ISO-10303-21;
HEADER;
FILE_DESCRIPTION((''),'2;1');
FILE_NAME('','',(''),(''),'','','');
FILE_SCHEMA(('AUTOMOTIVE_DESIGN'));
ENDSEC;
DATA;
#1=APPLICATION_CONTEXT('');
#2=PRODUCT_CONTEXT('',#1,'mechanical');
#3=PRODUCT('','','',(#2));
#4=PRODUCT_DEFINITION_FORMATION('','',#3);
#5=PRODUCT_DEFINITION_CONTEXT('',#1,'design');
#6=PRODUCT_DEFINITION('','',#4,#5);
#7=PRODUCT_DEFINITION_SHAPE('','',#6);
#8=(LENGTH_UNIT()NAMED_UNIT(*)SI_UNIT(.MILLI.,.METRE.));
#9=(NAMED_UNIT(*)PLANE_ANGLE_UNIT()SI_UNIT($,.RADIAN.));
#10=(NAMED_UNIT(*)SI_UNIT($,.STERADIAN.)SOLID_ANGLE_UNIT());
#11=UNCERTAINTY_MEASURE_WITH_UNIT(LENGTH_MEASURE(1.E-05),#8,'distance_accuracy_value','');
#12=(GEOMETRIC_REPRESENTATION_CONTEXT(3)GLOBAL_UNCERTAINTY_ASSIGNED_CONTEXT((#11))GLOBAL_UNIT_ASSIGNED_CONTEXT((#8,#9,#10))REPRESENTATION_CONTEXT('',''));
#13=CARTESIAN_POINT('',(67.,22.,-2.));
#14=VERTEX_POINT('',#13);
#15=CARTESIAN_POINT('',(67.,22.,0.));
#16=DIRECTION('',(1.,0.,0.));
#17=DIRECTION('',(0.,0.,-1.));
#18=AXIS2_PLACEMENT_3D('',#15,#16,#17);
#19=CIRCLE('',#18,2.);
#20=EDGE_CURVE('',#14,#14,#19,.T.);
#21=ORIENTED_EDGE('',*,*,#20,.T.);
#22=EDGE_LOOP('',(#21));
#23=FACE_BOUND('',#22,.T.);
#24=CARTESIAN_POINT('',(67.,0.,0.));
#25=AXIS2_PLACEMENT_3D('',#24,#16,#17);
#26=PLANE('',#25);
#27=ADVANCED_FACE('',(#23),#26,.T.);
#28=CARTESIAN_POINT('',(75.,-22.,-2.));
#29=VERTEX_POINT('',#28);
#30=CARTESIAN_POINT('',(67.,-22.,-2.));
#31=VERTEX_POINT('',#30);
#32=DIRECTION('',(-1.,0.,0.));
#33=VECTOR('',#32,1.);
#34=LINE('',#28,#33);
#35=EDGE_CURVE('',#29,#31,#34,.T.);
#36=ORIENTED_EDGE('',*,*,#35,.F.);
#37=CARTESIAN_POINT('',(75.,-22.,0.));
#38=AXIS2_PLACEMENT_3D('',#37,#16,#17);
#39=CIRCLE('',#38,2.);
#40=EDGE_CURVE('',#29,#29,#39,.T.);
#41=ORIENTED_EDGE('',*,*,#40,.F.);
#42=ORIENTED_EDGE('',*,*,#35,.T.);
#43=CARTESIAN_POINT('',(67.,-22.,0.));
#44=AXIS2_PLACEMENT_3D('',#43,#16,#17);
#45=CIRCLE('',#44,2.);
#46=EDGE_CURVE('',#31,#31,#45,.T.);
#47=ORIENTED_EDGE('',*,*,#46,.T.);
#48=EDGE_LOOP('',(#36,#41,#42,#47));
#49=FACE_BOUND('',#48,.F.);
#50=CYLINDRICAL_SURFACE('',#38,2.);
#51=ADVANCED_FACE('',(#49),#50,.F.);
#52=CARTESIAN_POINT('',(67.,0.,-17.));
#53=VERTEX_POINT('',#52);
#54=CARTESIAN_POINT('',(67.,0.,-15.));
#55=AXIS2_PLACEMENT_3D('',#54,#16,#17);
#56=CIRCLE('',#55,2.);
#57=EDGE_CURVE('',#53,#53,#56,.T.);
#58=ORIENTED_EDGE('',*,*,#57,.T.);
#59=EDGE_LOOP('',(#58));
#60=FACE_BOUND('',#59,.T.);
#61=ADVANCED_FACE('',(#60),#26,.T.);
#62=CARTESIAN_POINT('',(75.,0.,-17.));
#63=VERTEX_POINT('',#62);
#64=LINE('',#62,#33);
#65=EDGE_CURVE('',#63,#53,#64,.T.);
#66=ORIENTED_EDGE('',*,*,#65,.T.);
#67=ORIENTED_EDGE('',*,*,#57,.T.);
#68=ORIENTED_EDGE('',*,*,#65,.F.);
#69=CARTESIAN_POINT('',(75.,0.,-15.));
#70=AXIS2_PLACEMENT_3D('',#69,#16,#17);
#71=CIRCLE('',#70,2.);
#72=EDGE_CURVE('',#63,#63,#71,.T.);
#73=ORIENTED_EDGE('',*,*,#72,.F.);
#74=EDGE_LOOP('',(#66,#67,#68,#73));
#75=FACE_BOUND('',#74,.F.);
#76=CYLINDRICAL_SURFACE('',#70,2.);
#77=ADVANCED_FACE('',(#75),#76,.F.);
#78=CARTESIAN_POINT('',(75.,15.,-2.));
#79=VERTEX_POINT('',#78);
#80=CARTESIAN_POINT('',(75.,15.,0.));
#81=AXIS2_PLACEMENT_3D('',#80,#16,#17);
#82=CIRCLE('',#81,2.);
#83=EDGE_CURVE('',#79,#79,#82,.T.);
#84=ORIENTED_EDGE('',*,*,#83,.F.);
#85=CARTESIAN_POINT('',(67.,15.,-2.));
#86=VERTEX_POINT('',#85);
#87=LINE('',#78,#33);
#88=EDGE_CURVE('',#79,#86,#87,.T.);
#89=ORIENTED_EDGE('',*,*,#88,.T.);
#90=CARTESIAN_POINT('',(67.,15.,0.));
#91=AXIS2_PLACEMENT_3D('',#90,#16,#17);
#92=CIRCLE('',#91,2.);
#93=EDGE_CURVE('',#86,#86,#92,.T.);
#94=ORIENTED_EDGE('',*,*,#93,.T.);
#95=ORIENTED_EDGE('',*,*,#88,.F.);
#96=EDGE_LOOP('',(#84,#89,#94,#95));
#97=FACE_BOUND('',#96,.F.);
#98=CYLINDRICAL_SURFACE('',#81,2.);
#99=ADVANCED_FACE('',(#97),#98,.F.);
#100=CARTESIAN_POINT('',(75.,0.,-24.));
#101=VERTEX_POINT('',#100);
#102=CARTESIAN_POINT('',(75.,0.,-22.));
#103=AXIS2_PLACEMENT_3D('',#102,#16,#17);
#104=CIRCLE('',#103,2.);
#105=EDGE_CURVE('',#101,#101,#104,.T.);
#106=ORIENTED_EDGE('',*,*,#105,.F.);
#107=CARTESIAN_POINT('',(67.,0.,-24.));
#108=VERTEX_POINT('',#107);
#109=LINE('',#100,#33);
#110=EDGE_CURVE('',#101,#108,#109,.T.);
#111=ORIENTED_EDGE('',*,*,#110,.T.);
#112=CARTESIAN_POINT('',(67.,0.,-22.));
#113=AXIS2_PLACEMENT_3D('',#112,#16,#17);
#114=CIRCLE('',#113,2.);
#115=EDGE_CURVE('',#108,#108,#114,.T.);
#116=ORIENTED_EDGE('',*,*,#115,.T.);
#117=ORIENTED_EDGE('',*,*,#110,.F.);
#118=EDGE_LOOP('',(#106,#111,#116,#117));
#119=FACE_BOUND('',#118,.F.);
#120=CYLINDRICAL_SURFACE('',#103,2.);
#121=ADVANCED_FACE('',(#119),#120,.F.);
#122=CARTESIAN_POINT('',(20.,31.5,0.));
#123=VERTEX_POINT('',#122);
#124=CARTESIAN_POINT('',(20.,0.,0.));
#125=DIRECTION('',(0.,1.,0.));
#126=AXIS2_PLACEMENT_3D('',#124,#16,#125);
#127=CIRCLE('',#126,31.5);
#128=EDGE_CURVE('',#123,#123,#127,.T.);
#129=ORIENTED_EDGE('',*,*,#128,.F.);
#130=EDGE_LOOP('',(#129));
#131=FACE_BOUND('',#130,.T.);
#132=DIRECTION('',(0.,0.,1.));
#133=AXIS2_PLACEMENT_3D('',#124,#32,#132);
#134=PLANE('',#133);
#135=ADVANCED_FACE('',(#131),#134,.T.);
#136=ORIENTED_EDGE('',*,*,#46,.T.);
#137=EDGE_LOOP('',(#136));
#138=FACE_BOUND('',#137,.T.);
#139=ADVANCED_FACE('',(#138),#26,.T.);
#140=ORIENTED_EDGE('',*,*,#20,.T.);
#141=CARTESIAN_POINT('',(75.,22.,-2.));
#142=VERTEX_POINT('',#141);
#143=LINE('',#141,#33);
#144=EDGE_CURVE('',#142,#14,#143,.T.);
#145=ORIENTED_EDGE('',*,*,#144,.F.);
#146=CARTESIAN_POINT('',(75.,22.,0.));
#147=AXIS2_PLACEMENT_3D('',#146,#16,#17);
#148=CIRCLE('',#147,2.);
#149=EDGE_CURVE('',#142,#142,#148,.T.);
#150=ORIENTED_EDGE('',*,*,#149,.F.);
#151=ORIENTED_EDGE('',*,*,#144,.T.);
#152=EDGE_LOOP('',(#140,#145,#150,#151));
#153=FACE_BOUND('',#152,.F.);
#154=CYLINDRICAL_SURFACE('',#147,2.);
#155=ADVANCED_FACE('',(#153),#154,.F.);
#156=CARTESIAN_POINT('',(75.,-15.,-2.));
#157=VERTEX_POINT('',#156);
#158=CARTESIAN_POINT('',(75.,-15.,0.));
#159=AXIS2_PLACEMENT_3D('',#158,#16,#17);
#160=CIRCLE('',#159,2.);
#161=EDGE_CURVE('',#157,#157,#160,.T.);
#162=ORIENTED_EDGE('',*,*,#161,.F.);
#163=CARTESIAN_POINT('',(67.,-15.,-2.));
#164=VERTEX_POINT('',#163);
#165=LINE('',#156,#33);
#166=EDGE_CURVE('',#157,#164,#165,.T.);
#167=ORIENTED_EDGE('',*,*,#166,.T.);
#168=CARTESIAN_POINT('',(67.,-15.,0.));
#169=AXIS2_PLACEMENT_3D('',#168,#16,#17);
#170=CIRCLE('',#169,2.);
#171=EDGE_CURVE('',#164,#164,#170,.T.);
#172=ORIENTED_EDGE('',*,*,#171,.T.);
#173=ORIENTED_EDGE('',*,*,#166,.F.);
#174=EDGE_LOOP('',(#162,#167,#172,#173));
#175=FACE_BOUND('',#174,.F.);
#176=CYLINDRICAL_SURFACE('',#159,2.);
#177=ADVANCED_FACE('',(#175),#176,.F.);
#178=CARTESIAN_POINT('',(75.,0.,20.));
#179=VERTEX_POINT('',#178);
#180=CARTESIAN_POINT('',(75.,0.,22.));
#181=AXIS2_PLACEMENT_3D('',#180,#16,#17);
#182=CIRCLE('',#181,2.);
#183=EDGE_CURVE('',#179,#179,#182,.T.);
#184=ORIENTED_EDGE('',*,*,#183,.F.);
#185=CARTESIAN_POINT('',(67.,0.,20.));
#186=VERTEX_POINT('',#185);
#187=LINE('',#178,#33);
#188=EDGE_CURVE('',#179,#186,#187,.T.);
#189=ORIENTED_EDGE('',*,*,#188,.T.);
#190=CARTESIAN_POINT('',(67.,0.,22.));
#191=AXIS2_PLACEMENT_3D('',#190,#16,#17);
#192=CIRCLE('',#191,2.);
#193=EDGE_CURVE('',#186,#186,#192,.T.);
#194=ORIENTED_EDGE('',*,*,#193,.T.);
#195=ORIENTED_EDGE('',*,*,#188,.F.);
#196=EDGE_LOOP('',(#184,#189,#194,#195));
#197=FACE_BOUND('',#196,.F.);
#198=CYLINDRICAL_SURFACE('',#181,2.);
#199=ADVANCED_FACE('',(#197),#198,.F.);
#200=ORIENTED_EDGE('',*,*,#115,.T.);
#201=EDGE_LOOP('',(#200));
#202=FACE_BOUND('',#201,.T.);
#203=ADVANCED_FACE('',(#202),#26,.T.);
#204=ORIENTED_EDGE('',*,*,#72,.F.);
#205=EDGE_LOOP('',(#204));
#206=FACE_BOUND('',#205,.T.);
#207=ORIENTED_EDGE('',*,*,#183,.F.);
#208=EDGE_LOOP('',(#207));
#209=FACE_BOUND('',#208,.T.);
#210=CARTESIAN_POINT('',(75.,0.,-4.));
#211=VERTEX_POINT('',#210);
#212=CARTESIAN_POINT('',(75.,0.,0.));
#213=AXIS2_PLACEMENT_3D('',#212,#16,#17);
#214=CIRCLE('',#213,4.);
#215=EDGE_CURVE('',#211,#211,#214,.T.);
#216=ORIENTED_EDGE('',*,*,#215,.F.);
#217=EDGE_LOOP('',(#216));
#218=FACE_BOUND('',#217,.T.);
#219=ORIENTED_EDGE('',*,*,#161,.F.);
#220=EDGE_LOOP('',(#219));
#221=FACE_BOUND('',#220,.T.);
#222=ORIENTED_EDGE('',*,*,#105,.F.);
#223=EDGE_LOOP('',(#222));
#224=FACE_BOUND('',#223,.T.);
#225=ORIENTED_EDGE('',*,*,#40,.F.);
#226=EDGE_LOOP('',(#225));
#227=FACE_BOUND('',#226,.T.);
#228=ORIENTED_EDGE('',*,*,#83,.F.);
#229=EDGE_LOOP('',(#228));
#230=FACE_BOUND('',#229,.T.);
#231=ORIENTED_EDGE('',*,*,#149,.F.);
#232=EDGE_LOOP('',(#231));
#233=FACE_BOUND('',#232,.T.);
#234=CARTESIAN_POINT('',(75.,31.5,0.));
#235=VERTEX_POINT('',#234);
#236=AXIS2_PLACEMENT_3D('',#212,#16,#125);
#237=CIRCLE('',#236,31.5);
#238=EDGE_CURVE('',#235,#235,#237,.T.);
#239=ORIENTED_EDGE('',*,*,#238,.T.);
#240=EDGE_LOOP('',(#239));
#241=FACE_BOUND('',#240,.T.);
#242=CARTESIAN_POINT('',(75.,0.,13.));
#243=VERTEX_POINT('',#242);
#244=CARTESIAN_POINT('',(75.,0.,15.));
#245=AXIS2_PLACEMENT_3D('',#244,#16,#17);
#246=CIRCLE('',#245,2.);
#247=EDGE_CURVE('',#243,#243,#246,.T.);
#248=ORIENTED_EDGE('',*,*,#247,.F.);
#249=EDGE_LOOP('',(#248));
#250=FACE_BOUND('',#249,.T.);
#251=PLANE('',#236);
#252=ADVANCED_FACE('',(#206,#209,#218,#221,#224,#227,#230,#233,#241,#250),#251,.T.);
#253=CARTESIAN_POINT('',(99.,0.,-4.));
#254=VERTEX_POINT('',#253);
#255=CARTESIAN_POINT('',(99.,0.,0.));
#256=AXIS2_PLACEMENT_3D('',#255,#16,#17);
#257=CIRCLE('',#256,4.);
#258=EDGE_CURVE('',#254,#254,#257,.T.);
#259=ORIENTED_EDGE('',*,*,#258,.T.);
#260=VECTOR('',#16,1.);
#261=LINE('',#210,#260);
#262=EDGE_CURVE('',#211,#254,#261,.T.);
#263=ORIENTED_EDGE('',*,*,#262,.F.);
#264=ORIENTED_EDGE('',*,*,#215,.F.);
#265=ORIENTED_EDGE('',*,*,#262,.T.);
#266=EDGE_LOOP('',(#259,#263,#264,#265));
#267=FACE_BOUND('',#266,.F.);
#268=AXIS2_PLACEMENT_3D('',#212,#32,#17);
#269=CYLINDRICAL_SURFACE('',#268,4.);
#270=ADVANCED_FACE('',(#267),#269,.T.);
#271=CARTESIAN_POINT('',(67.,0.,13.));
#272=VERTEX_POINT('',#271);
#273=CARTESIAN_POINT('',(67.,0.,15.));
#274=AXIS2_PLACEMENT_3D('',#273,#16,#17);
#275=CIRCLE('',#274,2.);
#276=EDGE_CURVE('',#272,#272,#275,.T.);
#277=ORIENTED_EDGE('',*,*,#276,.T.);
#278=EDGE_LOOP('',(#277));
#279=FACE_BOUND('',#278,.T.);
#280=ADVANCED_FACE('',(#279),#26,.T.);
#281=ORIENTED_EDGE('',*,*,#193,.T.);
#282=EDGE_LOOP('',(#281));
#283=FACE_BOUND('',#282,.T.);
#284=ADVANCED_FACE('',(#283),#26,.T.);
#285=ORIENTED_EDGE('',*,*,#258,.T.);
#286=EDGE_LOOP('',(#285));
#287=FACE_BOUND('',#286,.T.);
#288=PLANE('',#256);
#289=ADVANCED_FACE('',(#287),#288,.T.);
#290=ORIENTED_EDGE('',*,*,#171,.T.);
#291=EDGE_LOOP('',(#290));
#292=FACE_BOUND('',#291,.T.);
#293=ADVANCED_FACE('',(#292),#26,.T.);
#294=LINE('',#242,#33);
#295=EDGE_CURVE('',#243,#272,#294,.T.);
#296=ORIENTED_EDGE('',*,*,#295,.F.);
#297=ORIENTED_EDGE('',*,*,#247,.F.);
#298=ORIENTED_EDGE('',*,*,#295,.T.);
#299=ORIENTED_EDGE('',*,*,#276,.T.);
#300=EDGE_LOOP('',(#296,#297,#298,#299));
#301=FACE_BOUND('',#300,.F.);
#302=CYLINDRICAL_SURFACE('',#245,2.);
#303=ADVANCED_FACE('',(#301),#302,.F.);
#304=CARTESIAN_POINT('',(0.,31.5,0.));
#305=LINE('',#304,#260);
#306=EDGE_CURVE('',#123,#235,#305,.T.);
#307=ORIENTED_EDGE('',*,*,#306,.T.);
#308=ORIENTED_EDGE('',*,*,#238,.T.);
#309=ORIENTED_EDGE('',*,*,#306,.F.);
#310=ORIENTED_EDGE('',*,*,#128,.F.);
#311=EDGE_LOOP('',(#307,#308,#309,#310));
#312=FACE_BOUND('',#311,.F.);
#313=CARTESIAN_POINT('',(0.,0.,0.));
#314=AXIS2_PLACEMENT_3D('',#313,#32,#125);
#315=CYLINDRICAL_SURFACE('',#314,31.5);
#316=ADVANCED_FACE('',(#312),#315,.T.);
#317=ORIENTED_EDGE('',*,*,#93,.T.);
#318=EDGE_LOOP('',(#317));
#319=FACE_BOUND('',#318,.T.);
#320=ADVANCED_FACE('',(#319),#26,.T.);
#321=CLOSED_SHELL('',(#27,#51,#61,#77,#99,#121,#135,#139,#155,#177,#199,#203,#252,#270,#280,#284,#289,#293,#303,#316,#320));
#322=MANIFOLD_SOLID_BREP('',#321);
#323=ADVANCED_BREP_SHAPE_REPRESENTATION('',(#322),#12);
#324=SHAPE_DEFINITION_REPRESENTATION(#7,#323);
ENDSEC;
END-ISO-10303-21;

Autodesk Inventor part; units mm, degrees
ref_plane "YZ Plane" through (0, 0, 0) normal (1, 0, 0) x (0, 1, 0)
ref_plane "XZ Plane" through (0, 0, 0) normal (0, 1, 0) x (-1, 0, 0)
ref_plane "XY Plane" through (0, 0, 0) normal (0, 0, 1) x (1, 0, 0)
sketch "Sketch1" plane through (0, 0, 0) normal (1, 0, 0) x (0, 1, 0)
  circle A0 centre (0, 0) radius 31.5
  dimension "d0" = 63
extrude "Extrusion1" add sketch "Sketch1" along normal blind 75
sketch "Sketch2" plane through (75, 0, 0) normal (1, 0, 0) x (0, 0, -1)
  circle A0 centre (0, 0) radius 4
  dimension "d3" = 8
extrude "Extrusion2" add sketch "Sketch2" along normal blind 24
sketch "Sketch3" plane through (75, 0, 0) normal (1, 0, 0) x (0, 0, -1)
  circle A0 centre (0, 15) radius 2
  circle A1 centre (0, 22) radius 2
  circle A2 centre (15, 0) radius 2
  circle A3 centre (22, 0) radius 2
  circle A4 centre (0, -15) radius 2
  circle A5 centre (0, -22) radius 2
  circle A6 centre (-15, 0) radius 2
  circle A7 centre (-22, 0) radius 2
  point P0 (0, 0)
  dimension "d8" = 4
  dimension "d9" = 4
  dimension "d10" = 4
  dimension "d11" = 4
  dimension "d12" = 4
  dimension "d13" = 4
  dimension "d14" = 4
  dimension "d15" = 4
extrude "Extrusion3" cut sketch "Sketch3" against normal blind 8
sketch "Sketch4" plane through (0, 0, 0) normal (-1, 0, 0) x (0, 0, 1)
  circle A0 centre (0, 0) radius 4 projected
  circle A1 centre (0, 0) radius 31.5
extrude "Extrusion4" cut sketch "Sketch4" against normal blind 20 contours A0 | A1
sketch "Sketch5" plane through (75, 0, 0) normal (1, 0, 0) x (0, 0, -1)
  arc A0 (22.2739, -22.2739) -> (-22.2739, -22.2739) centre (0, 0) ccw
  arc A1 (17.3205, -10) -> (-17.3205, -10) centre (0, 0) ccw
  arc A2 (11.2583, -6.5) -> (-11.2583, -6.5) centre (0, 0) ccw
  arc A3 (14.7224, -8.5) -> (-14.7224, -8.5) centre (0, 0) ccw
  arc A4 (20.7846, -12) -> (-20.7846, -12) centre (0, 0) ccw
  line L0 (0, 0) -> (31.5, 0) construction
  arc A5 (-20.7846, -12) -> (-17.3205, -10) centre (-19.0526, -11) ccw
  arc A6 (-14.7224, -8.5) -> (-11.2583, -6.5) centre (-12.9904, -7.5) ccw
  arc A7 (11.2583, -6.5) -> (14.7224, -8.5) centre (12.9904, -7.5) ccw
  arc A8 (17.3205, -10) -> (20.7846, -12) centre (19.0526, -11) ccw
  line L1 (0, 0) -> (31.5, 0) construction
  line L2 (0, 0) -> (-2.8284, -2.8284)
  line L3 (-9.1924, -9.1924) -> (-22.2739, -22.2739)
  line L4 (9.1924, -9.1924) -> (22.2739, -22.2739)
  arc A9 (-9.1924, -9.1924) -> (9.1924, -9.1924) centre (0, 0) ccw
  arc A10 (11.2583, -6.5) -> (-11.2583, -6.5) centre (0, 0) ccw
  circle A11 centre (0, 0) radius 5
  dimension "d23" = 10
properties part number "MotorModel"
